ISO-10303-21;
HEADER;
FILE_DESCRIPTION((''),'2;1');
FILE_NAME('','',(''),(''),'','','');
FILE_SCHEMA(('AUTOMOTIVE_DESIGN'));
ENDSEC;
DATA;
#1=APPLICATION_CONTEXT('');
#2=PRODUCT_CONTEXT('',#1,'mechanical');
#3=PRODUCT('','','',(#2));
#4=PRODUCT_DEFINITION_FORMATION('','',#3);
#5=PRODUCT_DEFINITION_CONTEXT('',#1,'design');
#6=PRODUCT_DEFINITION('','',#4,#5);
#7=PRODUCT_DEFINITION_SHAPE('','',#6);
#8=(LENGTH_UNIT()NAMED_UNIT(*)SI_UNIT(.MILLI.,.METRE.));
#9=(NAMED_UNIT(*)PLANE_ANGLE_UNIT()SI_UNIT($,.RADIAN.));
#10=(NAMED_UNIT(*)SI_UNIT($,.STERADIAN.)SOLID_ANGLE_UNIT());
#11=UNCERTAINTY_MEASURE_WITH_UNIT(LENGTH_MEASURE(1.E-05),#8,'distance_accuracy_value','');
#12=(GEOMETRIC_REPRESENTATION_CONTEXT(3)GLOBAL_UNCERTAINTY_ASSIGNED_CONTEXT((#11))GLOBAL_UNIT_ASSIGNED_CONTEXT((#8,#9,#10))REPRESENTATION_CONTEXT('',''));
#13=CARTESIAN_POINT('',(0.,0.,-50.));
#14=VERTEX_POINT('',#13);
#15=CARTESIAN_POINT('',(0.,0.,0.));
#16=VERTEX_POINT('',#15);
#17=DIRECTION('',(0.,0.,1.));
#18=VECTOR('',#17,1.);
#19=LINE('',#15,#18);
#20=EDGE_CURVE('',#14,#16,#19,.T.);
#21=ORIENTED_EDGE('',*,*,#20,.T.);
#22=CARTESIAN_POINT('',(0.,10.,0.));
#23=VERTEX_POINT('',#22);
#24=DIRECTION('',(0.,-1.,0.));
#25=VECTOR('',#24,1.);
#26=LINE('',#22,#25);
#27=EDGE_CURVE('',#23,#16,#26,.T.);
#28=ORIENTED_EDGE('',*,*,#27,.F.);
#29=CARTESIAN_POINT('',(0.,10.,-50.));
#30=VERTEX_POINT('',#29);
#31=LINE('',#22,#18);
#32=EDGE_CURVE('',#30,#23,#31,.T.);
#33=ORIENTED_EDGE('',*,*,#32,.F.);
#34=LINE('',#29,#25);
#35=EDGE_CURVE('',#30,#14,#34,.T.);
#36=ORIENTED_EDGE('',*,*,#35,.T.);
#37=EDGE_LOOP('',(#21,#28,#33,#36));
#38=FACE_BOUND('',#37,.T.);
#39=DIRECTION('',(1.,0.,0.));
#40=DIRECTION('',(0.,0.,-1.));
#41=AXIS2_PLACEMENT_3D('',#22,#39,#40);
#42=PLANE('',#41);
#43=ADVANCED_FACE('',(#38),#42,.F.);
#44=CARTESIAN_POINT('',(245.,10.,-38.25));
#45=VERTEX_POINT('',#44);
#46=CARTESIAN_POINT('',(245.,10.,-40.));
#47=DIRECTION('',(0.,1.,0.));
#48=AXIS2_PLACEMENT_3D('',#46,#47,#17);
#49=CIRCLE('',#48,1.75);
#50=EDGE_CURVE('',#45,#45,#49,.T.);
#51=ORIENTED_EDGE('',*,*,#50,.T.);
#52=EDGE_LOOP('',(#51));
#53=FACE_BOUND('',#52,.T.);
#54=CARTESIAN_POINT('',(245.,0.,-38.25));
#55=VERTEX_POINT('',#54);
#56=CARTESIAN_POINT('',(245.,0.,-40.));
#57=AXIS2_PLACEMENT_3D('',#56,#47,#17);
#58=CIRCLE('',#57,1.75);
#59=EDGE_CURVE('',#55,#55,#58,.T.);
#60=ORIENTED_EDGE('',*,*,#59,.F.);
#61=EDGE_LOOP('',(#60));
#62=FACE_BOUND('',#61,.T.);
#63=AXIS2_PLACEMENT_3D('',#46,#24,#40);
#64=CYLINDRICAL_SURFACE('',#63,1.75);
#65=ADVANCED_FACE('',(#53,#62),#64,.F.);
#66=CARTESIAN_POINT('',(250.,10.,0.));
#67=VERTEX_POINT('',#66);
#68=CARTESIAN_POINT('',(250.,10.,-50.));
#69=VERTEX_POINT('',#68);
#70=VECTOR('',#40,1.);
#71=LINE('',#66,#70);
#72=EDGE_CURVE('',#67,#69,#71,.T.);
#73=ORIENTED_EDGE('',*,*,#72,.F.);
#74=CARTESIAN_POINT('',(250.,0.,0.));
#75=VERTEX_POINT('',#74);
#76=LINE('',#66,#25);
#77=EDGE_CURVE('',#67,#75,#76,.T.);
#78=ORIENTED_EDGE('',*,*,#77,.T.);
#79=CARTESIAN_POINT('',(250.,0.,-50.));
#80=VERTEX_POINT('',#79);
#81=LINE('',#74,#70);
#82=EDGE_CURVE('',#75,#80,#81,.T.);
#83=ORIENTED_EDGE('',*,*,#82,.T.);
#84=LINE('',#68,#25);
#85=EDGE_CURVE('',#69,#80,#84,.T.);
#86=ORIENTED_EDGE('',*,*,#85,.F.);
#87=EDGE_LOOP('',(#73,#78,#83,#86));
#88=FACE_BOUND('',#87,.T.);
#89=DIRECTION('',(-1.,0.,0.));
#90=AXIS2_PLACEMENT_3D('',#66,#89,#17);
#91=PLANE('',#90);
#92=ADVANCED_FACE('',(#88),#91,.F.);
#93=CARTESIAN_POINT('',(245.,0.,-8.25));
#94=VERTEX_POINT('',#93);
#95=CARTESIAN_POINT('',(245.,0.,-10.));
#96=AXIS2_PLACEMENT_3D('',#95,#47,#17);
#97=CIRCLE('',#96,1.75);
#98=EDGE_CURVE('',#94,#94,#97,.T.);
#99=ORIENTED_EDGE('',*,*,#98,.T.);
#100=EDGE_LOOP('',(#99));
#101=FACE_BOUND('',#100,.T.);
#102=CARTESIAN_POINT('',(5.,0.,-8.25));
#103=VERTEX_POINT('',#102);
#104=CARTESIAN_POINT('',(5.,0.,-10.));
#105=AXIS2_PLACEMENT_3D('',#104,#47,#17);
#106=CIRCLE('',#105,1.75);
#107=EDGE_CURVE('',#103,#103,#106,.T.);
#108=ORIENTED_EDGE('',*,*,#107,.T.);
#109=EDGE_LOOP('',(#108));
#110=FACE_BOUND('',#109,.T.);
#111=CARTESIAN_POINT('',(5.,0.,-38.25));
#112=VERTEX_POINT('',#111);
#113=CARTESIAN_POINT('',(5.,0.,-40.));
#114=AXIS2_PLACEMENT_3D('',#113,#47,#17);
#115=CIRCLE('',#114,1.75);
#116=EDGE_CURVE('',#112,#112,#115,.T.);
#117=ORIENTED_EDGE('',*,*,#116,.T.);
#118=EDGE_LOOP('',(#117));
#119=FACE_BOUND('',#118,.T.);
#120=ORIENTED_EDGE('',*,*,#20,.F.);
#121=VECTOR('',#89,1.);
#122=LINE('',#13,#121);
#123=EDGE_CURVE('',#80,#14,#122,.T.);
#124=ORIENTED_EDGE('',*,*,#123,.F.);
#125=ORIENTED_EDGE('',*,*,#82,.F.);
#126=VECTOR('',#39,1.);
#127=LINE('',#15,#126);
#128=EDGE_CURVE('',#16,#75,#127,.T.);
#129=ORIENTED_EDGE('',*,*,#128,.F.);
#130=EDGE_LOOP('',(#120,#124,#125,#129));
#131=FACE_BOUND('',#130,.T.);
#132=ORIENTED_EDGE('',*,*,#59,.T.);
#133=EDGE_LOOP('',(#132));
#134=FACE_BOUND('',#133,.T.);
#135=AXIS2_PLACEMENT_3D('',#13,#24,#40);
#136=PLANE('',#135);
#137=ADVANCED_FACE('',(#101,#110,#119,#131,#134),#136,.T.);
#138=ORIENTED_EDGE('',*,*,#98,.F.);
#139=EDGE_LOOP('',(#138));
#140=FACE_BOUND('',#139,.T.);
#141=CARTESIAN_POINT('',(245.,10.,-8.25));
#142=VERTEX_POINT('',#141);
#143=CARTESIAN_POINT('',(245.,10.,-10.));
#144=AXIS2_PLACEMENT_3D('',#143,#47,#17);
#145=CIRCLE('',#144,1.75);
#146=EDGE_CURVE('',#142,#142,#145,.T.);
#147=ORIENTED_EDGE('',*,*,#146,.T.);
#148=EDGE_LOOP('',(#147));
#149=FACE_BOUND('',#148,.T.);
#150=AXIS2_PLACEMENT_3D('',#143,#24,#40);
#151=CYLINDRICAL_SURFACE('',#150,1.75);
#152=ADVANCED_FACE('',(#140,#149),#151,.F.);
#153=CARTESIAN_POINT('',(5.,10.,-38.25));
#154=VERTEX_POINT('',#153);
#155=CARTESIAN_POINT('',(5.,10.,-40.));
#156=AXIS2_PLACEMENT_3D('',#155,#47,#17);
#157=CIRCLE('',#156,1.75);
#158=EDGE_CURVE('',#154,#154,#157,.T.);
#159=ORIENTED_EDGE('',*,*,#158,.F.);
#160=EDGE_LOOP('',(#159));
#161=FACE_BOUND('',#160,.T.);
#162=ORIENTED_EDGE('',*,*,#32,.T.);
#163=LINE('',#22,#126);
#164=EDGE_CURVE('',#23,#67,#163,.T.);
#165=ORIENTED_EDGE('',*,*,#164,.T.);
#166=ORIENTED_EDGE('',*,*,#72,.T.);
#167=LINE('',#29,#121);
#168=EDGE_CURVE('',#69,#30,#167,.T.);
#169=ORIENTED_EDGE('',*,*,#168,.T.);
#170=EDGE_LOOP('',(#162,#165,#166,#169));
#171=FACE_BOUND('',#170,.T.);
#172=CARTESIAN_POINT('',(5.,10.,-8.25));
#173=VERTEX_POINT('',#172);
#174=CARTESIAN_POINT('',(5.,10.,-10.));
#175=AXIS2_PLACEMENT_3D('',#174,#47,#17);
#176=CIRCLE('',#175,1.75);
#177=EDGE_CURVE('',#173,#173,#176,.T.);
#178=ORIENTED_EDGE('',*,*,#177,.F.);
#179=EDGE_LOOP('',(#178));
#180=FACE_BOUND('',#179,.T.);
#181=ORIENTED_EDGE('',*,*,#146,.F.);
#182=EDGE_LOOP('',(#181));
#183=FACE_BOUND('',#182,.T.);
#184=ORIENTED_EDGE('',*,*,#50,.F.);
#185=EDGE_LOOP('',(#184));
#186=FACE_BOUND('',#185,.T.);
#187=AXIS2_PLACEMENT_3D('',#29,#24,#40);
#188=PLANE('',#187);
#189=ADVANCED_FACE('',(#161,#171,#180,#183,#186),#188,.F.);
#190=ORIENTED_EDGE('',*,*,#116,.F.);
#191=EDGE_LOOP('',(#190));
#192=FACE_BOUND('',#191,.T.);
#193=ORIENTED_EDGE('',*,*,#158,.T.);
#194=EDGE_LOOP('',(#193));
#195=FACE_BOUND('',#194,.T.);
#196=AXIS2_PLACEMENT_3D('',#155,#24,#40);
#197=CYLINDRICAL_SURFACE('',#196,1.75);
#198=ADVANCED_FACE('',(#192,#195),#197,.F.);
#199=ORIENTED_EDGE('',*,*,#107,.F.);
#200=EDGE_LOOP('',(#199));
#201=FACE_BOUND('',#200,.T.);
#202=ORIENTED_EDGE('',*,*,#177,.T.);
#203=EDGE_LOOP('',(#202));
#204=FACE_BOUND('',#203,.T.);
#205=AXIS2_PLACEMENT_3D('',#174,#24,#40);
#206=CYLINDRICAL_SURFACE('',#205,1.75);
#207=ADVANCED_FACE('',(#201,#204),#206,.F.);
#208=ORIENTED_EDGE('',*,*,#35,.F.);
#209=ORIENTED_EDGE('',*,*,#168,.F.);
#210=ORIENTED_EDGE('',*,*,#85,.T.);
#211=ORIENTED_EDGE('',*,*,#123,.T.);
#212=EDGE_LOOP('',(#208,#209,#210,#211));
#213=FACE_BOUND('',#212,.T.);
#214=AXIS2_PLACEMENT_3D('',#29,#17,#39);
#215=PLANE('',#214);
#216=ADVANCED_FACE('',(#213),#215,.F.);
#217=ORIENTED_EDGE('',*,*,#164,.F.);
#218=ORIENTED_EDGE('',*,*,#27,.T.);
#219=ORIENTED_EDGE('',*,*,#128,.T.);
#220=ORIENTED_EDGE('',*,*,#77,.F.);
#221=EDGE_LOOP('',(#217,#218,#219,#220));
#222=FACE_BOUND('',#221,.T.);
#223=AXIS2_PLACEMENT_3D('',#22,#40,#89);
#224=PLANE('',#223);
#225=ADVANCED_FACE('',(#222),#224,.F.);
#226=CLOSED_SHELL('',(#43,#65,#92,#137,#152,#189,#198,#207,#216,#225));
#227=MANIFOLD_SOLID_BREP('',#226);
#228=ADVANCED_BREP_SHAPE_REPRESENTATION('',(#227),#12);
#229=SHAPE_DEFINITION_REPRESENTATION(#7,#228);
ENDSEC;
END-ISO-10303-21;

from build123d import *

# Parameters (mm, degrees)
SKETCH1_W           = 250
SKETCH1_H           = 50
SKETCH1_R           = 1.75
BOSS_EXTRUDE1_DEPTH = 10


with BuildPart() as part:
    # Sketch1 → Boss-Extrude1 (new body)
    with BuildSketch(Plane(origin=(0, 0, 0), x_dir=(1, 0, 0), z_dir=(0, 1, 0))):
        with Locations((125, 25)):
            Rectangle(SKETCH1_W, SKETCH1_H)
        with Locations(Location((5, 40, 0), (0, 0, 270))):
            Circle(SKETCH1_R, mode=Mode.SUBTRACT)
        with Locations(Location((5, 10, 0), (0, 0, 270))):
            Circle(SKETCH1_R, mode=Mode.SUBTRACT)
        with Locations(Location((245, 10, 0), (0, 0, 270))):
            Circle(SKETCH1_R, mode=Mode.SUBTRACT)
        with Locations(Location((245, 40, 0), (0, 0, 270))):
            Circle(SKETCH1_R, mode=Mode.SUBTRACT)
    extrude(amount=BOSS_EXTRUDE1_DEPTH)


solid = part.part
